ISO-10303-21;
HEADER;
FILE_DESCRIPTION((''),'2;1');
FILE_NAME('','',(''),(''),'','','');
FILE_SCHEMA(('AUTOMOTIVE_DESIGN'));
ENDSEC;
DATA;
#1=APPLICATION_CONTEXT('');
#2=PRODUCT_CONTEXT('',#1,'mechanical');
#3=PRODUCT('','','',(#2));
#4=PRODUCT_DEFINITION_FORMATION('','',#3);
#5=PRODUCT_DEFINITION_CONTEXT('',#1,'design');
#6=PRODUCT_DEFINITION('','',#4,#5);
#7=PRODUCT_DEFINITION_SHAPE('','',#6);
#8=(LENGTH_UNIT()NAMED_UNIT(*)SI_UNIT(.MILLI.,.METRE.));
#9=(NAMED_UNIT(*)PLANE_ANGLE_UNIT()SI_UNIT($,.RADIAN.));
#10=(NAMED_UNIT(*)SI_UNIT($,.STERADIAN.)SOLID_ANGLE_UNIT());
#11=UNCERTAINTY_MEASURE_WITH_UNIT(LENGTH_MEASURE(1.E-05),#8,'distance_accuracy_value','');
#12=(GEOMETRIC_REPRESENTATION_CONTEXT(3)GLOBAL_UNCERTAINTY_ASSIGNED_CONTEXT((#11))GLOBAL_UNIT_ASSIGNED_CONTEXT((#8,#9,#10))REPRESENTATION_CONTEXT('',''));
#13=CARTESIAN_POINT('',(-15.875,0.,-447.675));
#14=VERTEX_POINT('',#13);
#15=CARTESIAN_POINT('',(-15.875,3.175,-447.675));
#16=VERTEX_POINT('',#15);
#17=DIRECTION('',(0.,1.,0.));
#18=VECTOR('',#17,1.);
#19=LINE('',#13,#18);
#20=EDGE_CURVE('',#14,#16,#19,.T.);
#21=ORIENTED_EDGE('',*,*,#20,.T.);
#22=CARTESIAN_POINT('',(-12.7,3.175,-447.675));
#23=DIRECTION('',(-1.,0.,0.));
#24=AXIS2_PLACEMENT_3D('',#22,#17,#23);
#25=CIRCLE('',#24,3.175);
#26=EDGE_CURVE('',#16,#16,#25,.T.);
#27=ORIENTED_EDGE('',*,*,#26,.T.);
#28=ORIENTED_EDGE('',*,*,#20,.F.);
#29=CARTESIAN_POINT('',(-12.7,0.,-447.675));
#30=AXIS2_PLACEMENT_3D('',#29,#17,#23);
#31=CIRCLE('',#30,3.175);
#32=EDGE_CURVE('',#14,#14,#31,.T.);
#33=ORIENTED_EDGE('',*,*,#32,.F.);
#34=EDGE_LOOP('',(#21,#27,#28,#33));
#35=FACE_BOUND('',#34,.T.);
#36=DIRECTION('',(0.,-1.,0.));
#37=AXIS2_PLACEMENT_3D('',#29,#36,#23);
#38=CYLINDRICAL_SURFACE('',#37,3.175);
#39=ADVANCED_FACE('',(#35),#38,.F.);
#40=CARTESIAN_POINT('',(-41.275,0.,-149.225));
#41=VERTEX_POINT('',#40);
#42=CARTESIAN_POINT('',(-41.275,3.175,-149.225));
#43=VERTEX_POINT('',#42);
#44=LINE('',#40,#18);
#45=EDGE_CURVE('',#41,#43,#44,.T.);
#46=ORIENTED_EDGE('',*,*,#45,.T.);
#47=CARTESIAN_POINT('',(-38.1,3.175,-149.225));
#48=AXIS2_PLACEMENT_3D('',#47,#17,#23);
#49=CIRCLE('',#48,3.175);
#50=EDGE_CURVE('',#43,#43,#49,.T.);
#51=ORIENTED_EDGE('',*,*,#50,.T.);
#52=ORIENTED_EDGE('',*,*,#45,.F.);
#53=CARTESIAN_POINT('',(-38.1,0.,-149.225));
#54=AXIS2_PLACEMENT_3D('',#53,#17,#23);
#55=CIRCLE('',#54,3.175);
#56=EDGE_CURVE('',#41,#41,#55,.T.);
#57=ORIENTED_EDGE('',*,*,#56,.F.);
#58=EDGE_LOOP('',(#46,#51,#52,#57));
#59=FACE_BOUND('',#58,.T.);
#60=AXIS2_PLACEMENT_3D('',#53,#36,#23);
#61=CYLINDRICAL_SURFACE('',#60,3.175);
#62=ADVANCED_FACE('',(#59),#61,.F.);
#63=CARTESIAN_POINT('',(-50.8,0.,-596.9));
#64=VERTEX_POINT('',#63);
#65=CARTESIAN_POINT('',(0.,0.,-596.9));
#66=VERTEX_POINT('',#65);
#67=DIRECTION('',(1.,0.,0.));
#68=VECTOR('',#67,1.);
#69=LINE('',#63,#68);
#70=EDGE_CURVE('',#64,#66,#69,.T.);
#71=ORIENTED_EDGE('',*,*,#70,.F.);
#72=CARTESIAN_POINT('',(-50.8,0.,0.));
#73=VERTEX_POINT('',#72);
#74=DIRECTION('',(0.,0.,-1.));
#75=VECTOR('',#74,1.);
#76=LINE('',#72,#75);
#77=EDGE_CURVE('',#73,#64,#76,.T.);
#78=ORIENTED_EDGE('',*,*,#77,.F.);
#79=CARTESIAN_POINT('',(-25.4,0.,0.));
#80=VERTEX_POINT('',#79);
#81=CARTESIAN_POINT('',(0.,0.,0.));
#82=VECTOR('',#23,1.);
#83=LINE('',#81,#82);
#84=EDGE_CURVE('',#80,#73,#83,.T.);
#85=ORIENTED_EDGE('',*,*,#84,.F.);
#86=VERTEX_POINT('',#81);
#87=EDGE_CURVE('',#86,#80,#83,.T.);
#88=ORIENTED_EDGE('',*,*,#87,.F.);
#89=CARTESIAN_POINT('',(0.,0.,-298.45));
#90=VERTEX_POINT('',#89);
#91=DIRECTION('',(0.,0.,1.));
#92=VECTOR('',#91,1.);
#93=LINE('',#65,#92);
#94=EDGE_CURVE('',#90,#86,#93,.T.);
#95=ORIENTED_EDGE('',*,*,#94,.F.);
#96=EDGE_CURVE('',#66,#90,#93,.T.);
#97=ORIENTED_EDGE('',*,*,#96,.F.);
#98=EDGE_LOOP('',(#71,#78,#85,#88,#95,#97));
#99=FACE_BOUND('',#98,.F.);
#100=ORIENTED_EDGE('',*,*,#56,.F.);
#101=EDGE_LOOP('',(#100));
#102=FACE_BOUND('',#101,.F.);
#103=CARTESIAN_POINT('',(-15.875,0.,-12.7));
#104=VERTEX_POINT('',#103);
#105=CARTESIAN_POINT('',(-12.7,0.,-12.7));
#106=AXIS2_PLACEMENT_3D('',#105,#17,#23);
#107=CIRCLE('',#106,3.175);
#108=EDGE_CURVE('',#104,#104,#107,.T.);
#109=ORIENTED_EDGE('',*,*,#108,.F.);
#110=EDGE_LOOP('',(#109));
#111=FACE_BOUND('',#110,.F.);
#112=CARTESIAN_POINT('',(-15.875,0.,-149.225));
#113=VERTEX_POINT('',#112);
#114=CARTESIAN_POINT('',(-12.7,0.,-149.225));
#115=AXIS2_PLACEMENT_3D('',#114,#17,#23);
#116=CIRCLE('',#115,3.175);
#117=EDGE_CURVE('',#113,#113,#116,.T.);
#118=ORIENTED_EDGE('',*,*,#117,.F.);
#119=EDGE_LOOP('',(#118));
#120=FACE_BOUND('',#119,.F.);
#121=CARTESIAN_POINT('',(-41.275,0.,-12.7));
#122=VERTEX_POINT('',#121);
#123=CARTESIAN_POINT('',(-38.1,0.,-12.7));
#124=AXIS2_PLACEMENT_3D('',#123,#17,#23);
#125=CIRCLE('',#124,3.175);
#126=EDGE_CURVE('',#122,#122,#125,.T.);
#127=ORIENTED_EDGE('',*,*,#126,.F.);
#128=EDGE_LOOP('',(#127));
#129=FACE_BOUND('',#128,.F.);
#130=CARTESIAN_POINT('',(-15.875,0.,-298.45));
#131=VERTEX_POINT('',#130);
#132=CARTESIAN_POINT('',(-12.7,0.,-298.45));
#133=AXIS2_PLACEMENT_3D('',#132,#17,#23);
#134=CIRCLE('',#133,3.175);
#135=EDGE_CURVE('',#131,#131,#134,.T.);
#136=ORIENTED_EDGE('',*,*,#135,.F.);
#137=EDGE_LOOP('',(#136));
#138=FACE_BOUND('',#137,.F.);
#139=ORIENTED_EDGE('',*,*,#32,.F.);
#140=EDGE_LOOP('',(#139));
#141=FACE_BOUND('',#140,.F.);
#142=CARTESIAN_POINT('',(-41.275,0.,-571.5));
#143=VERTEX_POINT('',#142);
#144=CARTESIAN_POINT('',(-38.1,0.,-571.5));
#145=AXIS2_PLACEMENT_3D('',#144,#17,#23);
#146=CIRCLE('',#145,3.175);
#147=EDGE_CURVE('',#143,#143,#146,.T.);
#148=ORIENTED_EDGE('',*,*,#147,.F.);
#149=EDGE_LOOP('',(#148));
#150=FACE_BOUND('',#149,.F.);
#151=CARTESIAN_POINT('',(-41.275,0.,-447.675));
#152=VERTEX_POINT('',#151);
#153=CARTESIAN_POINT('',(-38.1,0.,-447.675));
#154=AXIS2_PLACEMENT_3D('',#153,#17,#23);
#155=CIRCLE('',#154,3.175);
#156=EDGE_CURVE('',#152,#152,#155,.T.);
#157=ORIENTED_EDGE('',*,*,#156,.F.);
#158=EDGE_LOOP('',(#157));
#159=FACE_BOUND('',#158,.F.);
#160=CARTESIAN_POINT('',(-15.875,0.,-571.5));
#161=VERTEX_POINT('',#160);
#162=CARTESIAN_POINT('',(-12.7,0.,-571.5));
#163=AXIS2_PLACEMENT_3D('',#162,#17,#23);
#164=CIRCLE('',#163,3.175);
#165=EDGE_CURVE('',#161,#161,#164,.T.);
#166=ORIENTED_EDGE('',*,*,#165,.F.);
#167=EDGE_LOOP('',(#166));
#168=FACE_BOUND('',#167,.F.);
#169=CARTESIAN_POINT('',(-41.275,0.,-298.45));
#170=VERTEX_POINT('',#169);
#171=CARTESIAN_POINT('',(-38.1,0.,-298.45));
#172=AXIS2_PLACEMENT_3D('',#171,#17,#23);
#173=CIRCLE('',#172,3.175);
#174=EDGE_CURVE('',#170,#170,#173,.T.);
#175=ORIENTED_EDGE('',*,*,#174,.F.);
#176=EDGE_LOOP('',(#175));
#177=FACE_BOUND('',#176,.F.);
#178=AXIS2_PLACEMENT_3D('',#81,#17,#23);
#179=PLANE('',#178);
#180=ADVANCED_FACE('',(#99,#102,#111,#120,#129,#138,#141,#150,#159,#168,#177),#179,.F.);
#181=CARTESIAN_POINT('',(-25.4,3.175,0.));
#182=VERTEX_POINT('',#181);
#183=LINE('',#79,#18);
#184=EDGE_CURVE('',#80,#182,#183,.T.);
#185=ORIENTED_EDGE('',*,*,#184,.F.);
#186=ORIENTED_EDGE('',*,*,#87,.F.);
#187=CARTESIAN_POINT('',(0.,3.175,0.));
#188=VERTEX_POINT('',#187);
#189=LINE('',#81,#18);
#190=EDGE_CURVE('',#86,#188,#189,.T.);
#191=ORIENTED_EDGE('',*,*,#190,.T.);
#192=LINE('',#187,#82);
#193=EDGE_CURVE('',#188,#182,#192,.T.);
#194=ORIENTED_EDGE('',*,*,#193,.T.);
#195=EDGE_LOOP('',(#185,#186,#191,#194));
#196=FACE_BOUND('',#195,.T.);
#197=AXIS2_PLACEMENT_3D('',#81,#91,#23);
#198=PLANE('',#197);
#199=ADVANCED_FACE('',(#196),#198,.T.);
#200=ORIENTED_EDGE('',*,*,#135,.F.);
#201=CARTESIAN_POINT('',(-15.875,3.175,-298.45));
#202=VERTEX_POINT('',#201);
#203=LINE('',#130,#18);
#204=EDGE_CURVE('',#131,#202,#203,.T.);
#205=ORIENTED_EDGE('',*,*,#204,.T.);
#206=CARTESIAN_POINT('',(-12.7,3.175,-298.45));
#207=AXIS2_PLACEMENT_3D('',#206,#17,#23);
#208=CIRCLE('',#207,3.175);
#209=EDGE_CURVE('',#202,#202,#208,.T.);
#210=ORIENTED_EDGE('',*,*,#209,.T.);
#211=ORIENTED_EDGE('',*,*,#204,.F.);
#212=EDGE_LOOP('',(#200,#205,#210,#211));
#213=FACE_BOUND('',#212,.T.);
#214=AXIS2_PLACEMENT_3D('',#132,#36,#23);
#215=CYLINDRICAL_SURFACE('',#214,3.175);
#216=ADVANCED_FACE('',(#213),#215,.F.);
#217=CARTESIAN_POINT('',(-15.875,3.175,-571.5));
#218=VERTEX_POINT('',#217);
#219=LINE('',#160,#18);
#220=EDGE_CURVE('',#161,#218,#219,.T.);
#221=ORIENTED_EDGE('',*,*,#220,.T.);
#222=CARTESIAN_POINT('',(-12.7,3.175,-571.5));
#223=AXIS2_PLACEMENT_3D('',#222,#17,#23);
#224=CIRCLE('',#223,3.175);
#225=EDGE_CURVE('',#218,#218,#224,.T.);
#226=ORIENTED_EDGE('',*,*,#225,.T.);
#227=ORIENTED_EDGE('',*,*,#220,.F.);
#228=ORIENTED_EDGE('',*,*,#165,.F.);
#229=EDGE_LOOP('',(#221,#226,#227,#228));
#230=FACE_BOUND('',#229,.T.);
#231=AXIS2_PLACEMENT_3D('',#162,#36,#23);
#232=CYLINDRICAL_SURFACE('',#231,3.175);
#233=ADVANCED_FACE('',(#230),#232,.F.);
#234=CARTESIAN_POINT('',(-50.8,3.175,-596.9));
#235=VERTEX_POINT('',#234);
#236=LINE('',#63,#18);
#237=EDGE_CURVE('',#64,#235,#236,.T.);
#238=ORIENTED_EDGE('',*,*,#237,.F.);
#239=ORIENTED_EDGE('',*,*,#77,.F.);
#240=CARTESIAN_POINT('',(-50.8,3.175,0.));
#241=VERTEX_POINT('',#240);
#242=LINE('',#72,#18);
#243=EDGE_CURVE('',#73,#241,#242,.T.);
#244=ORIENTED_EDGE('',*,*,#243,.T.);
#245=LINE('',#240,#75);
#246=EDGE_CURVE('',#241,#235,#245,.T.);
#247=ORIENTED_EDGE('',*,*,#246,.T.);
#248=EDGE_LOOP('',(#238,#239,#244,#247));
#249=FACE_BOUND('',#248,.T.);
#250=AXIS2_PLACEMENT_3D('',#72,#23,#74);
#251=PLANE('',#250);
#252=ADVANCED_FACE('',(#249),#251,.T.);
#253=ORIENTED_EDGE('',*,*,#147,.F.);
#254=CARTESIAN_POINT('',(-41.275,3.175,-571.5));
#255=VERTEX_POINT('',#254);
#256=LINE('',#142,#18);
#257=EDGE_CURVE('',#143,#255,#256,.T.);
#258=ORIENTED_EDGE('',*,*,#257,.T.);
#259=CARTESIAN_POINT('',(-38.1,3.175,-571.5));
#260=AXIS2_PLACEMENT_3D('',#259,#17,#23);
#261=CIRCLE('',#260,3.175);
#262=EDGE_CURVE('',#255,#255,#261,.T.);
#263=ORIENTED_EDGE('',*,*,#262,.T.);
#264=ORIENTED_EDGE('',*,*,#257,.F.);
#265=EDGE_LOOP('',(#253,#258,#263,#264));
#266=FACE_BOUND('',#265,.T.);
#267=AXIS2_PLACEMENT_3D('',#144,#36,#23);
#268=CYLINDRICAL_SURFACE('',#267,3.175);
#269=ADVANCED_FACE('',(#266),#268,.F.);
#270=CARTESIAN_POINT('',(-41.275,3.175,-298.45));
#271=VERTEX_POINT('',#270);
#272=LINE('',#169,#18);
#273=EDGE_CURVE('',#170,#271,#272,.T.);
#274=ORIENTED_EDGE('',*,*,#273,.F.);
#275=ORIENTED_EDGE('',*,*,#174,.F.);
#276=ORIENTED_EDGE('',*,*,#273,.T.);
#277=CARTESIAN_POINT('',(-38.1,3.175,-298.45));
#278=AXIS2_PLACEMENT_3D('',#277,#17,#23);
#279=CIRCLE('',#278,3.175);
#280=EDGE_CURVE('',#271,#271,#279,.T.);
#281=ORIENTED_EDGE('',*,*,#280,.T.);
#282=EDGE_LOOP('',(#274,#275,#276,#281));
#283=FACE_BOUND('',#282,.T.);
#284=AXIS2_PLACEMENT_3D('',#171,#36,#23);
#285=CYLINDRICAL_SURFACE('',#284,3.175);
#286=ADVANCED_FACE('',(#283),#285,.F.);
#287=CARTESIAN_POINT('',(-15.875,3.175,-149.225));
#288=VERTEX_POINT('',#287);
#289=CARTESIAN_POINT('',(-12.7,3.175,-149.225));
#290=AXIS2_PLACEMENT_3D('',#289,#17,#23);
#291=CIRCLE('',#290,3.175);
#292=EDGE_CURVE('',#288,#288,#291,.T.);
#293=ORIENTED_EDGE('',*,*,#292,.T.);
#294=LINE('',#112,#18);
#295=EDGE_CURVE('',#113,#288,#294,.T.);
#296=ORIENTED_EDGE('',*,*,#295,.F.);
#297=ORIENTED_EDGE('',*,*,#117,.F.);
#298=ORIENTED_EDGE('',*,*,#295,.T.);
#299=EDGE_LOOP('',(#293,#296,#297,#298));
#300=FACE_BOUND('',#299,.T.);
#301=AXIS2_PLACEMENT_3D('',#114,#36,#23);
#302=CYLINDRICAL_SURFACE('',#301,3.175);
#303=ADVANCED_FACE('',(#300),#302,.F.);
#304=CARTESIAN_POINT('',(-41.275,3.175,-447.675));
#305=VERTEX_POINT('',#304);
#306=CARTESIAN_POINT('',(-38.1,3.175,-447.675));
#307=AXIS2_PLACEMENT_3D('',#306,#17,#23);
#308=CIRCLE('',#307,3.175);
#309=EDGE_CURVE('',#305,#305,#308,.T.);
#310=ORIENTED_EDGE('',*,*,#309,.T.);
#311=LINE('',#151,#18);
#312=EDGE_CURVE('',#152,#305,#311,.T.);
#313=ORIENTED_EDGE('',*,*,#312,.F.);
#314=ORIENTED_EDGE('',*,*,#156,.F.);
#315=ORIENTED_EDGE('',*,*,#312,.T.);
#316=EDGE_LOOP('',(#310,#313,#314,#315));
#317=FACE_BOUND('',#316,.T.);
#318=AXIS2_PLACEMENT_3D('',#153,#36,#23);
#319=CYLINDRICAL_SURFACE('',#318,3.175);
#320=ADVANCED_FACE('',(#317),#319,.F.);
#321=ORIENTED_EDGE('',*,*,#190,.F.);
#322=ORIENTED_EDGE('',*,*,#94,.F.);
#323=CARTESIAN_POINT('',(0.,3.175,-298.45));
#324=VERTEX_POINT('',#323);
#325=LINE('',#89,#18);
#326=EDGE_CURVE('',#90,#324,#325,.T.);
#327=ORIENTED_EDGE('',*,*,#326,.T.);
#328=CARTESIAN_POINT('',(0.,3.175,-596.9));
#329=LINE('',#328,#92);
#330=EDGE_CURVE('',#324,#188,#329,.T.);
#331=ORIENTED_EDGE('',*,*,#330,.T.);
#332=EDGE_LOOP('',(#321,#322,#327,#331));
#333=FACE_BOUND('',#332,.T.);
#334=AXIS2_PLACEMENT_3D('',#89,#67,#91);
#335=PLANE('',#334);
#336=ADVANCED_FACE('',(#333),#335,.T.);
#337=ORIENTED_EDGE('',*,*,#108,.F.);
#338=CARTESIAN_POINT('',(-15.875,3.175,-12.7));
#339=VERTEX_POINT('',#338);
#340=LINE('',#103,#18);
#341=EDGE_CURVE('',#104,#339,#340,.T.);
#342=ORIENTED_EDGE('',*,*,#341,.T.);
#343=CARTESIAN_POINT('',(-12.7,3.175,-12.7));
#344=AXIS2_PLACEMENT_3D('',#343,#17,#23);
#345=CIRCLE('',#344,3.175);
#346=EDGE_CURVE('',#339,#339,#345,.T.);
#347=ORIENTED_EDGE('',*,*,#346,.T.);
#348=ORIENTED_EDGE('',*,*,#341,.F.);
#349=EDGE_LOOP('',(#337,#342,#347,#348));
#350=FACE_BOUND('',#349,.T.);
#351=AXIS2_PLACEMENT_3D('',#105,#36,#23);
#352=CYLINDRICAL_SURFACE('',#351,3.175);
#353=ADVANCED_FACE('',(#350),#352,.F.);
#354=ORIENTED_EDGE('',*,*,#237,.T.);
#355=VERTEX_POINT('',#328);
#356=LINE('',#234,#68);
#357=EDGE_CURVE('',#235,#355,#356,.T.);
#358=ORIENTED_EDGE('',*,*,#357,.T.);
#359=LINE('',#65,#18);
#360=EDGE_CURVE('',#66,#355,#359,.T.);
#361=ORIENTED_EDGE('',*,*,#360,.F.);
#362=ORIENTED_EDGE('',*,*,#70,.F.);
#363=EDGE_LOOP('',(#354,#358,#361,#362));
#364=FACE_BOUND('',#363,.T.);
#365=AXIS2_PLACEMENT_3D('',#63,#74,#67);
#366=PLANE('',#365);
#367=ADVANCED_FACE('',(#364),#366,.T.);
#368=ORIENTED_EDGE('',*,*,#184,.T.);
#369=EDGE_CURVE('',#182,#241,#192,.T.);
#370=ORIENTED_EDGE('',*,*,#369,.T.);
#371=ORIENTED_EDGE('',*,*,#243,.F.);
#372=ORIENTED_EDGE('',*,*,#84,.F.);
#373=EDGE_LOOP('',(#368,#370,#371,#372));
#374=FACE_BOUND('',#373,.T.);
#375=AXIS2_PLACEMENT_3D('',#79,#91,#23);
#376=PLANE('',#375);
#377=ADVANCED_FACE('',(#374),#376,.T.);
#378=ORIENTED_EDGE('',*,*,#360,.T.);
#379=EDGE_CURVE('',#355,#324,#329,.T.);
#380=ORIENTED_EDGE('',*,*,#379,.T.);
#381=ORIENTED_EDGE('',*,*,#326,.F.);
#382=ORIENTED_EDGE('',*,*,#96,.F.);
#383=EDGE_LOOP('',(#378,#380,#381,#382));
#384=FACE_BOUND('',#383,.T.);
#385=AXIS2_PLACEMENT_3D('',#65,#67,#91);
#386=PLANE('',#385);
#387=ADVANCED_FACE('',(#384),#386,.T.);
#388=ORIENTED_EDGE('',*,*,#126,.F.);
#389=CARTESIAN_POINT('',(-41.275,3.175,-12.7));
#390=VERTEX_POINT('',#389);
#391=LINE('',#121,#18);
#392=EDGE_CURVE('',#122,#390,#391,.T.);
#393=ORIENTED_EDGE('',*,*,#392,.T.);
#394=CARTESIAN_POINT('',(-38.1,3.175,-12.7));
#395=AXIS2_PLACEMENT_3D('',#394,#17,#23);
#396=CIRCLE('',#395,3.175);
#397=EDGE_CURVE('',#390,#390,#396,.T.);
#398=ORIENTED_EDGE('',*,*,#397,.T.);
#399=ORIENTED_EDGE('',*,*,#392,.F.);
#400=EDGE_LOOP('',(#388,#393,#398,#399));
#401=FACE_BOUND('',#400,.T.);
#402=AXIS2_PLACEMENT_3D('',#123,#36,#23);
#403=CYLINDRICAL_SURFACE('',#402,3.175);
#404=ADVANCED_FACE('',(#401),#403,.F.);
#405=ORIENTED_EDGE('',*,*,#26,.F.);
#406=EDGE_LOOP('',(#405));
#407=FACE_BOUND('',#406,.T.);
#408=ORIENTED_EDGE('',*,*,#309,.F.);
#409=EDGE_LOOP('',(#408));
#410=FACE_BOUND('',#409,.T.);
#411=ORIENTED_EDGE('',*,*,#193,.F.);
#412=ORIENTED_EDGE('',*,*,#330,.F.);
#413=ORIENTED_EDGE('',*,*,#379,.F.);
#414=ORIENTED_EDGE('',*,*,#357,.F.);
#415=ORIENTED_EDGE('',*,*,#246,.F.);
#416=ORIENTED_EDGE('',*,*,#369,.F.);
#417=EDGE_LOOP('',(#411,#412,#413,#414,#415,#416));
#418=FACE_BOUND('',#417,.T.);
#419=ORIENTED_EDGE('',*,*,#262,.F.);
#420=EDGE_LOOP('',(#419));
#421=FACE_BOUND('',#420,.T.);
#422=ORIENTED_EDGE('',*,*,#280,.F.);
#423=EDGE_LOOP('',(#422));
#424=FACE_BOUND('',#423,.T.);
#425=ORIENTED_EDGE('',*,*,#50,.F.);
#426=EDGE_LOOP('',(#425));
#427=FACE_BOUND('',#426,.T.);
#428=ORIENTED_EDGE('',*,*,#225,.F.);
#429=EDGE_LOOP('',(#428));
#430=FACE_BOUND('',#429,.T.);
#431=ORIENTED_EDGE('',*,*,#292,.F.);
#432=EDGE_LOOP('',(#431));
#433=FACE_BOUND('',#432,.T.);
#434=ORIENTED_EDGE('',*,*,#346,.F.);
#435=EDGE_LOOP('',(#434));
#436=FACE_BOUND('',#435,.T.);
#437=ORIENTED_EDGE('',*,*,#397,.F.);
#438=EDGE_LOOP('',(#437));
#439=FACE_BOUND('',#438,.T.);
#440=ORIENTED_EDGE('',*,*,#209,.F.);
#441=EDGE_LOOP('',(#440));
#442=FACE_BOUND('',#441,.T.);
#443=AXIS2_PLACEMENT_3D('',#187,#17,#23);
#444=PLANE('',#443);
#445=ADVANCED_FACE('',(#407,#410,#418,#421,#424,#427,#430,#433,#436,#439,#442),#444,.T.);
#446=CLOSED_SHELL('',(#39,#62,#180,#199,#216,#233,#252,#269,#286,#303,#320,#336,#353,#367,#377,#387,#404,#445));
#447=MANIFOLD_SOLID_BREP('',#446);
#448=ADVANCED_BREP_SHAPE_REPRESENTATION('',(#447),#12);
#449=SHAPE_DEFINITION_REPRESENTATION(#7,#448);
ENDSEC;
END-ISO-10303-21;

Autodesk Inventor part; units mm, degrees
ref_plane "YZ Plane" through (0, 0, 0) normal (1, 0, 0) x (0, 1, 0)
ref_plane "XZ Plane" through (0, 0, 0) normal (0, 1, 0) x (-1, 0, 0)
ref_plane "XY Plane" through (0, 0, 0) normal (0, 0, 1) x (1, 0, 0)
sketch "Sketch1" plane through (0, 0, 0) normal (0, 1, 0) x (-1, 0, 0)
  line L0 (0, 0) -> (50.8, 0)
  line L1 (50.8, 0) -> (50.8, -596.9)
  line L2 (50.8, -596.9) -> (0, -596.9)
  line L3 (0, -596.9) -> (0, 0)
  circle A0 centre (38.1, -12.7) radius 3.175
  line L4 (25.4, 0) -> (25.4, -12.7)
  circle A1 centre (38.1, -571.5) radius 3.175
  circle A2 centre (38.1, -298.45) radius 3.175
  circle A3 centre (12.7, -571.5) radius 3.175
  circle A4 centre (12.7, -298.45) radius 3.175
  circle A5 centre (12.7, -12.7) radius 3.175
  circle A6 centre (38.1, -149.225) radius 3.175
  line L5 (0, -298.45) -> (4.0649, -298.45)
  circle A7 centre (12.7, -149.225) radius 3.175
  circle A8 centre (38.1, -447.675) radius 3.175
  circle A9 centre (12.7, -447.675) radius 3.175
  dimension "d0" = 50.8
  dimension "d1" = 596.9
  dimension "d4" = 6.35
  dimension "d5" = 12.7
  dimension "d6" = 12.7
  dimension "d11" = 6.35
  dimension "d12" = 298.45
  dimension "d13" = 6.35
  dimension "d14" = 149.225
extrude "Extrusion1" add sketch "Sketch1" along normal blind 3.175
properties part number "Plate2inx47in"
